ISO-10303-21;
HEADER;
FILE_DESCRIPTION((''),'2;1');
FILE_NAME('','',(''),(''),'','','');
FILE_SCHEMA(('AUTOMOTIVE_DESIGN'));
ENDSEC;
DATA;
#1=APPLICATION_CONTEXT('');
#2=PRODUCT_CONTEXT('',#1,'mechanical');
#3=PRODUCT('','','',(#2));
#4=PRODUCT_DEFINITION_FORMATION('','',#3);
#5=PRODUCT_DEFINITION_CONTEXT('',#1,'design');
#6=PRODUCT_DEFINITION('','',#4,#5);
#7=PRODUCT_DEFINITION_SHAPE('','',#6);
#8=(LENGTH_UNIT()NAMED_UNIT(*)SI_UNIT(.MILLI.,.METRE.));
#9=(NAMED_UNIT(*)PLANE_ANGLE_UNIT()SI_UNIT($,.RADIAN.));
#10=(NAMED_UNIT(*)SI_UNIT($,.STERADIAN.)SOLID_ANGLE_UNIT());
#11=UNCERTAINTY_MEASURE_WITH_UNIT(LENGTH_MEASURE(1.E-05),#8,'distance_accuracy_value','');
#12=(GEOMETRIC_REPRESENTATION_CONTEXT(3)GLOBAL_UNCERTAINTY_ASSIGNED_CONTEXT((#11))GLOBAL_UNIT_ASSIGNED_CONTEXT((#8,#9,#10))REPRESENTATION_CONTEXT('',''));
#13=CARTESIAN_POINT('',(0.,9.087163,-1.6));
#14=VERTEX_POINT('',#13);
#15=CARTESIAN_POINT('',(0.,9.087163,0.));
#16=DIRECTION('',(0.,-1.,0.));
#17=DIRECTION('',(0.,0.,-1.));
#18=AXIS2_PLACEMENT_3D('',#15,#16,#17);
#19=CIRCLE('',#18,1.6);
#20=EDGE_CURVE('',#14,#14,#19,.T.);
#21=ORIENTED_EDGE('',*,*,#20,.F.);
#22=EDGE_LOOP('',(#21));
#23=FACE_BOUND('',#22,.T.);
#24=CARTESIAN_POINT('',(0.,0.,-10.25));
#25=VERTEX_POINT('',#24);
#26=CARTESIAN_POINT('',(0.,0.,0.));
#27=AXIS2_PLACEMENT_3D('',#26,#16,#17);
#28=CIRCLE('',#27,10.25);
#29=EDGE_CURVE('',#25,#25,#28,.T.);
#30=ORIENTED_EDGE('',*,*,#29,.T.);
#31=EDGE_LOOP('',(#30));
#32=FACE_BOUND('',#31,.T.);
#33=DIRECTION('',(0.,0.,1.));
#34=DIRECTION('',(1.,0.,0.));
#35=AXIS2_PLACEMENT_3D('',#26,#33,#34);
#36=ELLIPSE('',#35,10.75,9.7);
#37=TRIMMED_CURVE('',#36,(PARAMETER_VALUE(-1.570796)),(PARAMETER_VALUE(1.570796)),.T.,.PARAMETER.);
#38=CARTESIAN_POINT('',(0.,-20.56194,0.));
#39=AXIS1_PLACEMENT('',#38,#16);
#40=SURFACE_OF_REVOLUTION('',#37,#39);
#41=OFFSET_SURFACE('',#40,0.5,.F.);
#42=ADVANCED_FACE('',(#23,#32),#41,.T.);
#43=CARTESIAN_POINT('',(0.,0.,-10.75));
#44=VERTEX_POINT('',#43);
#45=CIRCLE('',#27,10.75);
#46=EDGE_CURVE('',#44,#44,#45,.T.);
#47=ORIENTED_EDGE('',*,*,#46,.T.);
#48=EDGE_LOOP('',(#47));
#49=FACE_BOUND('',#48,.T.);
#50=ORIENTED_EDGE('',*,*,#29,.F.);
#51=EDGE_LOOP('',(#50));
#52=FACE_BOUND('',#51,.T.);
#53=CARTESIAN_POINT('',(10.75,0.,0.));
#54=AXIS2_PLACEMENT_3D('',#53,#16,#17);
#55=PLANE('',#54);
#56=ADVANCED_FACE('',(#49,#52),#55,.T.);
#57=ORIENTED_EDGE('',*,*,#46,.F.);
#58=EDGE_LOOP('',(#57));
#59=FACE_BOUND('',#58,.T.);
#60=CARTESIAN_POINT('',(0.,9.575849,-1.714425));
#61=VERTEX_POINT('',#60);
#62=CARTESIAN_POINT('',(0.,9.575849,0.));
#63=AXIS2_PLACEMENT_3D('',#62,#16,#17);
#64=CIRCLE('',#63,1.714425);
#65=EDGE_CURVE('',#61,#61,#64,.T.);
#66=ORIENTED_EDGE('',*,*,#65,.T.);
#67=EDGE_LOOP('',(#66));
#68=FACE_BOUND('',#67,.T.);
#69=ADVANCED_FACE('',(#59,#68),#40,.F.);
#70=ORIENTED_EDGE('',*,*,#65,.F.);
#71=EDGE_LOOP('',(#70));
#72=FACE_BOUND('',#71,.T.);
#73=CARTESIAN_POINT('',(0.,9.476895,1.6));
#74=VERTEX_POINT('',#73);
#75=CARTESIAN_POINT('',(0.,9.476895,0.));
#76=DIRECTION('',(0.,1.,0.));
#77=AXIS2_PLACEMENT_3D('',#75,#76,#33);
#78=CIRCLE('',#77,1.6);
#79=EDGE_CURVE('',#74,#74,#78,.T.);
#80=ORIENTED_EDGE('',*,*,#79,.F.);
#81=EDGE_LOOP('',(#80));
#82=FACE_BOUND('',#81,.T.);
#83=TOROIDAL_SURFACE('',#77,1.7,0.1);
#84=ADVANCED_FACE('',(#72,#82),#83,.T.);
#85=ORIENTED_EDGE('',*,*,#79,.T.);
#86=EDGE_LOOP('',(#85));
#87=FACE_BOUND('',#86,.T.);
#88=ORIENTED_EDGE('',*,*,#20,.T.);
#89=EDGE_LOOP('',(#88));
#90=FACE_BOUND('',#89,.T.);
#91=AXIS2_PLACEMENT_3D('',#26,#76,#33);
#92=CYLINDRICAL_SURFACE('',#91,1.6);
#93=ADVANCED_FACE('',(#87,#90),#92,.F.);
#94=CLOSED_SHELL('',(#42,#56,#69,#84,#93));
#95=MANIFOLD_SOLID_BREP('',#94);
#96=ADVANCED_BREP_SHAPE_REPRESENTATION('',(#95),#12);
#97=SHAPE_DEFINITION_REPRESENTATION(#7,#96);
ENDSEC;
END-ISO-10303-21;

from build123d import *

# Parameters (mm, degrees)
BELL_SHELL_T   = -0.5
HOLE_CIRCLE_R  = 1.6
HOLE_CUT_DEPTH = 10.7000001
HOLE_FILLET_R  = 0.1


with BuildPart() as part:
    # Bell Ellipse Profile → Bell Hemisphere (revolve)
    with BuildSketch(Plane.XY):
        with BuildLine():
            Line((10.75, 0), (0, 0))
            Line((0, 0), (0, 9.7))
            add(Edge.make_bspline(
                [(10.75, 0), (10.75, 9.7), (0, 9.7)],
                knots=[0, 0, 0, 1.570796327, 1.570796327, 1.570796327], degree=2, weights=[1, 0.707106781, 1]))
        make_face()
    revolve(axis=Axis((0, -20.561940231, 0), (0, 1, 0)))

    # Bell Shell
    bell_shell_openings = [part.faces().sort_by_distance(p)[0] for p in [
        (0, 0, -10.75),
    ]]
    offset(amount=BELL_SHELL_T, openings=bell_shell_openings, kind=Kind.INTERSECTION)

    # Hole Circle → Hole Cut (cut, through all)
    with BuildSketch(Plane(origin=(0, 9.7, 0), x_dir=(-1, 0, 0), z_dir=(0, -1, 0))):
        Circle(HOLE_CIRCLE_R)
    extrude(amount=HOLE_CUT_DEPTH, mode=Mode.SUBTRACT)

    # Hole Fillet
    hole_fillet_edges = [part.edges().sort_by_distance(p)[0] for p in [
        (-1e-09, 9.591958605, -1.6),
    ]]
    fillet(hole_fillet_edges, radius=HOLE_FILLET_R)


solid = part.part
